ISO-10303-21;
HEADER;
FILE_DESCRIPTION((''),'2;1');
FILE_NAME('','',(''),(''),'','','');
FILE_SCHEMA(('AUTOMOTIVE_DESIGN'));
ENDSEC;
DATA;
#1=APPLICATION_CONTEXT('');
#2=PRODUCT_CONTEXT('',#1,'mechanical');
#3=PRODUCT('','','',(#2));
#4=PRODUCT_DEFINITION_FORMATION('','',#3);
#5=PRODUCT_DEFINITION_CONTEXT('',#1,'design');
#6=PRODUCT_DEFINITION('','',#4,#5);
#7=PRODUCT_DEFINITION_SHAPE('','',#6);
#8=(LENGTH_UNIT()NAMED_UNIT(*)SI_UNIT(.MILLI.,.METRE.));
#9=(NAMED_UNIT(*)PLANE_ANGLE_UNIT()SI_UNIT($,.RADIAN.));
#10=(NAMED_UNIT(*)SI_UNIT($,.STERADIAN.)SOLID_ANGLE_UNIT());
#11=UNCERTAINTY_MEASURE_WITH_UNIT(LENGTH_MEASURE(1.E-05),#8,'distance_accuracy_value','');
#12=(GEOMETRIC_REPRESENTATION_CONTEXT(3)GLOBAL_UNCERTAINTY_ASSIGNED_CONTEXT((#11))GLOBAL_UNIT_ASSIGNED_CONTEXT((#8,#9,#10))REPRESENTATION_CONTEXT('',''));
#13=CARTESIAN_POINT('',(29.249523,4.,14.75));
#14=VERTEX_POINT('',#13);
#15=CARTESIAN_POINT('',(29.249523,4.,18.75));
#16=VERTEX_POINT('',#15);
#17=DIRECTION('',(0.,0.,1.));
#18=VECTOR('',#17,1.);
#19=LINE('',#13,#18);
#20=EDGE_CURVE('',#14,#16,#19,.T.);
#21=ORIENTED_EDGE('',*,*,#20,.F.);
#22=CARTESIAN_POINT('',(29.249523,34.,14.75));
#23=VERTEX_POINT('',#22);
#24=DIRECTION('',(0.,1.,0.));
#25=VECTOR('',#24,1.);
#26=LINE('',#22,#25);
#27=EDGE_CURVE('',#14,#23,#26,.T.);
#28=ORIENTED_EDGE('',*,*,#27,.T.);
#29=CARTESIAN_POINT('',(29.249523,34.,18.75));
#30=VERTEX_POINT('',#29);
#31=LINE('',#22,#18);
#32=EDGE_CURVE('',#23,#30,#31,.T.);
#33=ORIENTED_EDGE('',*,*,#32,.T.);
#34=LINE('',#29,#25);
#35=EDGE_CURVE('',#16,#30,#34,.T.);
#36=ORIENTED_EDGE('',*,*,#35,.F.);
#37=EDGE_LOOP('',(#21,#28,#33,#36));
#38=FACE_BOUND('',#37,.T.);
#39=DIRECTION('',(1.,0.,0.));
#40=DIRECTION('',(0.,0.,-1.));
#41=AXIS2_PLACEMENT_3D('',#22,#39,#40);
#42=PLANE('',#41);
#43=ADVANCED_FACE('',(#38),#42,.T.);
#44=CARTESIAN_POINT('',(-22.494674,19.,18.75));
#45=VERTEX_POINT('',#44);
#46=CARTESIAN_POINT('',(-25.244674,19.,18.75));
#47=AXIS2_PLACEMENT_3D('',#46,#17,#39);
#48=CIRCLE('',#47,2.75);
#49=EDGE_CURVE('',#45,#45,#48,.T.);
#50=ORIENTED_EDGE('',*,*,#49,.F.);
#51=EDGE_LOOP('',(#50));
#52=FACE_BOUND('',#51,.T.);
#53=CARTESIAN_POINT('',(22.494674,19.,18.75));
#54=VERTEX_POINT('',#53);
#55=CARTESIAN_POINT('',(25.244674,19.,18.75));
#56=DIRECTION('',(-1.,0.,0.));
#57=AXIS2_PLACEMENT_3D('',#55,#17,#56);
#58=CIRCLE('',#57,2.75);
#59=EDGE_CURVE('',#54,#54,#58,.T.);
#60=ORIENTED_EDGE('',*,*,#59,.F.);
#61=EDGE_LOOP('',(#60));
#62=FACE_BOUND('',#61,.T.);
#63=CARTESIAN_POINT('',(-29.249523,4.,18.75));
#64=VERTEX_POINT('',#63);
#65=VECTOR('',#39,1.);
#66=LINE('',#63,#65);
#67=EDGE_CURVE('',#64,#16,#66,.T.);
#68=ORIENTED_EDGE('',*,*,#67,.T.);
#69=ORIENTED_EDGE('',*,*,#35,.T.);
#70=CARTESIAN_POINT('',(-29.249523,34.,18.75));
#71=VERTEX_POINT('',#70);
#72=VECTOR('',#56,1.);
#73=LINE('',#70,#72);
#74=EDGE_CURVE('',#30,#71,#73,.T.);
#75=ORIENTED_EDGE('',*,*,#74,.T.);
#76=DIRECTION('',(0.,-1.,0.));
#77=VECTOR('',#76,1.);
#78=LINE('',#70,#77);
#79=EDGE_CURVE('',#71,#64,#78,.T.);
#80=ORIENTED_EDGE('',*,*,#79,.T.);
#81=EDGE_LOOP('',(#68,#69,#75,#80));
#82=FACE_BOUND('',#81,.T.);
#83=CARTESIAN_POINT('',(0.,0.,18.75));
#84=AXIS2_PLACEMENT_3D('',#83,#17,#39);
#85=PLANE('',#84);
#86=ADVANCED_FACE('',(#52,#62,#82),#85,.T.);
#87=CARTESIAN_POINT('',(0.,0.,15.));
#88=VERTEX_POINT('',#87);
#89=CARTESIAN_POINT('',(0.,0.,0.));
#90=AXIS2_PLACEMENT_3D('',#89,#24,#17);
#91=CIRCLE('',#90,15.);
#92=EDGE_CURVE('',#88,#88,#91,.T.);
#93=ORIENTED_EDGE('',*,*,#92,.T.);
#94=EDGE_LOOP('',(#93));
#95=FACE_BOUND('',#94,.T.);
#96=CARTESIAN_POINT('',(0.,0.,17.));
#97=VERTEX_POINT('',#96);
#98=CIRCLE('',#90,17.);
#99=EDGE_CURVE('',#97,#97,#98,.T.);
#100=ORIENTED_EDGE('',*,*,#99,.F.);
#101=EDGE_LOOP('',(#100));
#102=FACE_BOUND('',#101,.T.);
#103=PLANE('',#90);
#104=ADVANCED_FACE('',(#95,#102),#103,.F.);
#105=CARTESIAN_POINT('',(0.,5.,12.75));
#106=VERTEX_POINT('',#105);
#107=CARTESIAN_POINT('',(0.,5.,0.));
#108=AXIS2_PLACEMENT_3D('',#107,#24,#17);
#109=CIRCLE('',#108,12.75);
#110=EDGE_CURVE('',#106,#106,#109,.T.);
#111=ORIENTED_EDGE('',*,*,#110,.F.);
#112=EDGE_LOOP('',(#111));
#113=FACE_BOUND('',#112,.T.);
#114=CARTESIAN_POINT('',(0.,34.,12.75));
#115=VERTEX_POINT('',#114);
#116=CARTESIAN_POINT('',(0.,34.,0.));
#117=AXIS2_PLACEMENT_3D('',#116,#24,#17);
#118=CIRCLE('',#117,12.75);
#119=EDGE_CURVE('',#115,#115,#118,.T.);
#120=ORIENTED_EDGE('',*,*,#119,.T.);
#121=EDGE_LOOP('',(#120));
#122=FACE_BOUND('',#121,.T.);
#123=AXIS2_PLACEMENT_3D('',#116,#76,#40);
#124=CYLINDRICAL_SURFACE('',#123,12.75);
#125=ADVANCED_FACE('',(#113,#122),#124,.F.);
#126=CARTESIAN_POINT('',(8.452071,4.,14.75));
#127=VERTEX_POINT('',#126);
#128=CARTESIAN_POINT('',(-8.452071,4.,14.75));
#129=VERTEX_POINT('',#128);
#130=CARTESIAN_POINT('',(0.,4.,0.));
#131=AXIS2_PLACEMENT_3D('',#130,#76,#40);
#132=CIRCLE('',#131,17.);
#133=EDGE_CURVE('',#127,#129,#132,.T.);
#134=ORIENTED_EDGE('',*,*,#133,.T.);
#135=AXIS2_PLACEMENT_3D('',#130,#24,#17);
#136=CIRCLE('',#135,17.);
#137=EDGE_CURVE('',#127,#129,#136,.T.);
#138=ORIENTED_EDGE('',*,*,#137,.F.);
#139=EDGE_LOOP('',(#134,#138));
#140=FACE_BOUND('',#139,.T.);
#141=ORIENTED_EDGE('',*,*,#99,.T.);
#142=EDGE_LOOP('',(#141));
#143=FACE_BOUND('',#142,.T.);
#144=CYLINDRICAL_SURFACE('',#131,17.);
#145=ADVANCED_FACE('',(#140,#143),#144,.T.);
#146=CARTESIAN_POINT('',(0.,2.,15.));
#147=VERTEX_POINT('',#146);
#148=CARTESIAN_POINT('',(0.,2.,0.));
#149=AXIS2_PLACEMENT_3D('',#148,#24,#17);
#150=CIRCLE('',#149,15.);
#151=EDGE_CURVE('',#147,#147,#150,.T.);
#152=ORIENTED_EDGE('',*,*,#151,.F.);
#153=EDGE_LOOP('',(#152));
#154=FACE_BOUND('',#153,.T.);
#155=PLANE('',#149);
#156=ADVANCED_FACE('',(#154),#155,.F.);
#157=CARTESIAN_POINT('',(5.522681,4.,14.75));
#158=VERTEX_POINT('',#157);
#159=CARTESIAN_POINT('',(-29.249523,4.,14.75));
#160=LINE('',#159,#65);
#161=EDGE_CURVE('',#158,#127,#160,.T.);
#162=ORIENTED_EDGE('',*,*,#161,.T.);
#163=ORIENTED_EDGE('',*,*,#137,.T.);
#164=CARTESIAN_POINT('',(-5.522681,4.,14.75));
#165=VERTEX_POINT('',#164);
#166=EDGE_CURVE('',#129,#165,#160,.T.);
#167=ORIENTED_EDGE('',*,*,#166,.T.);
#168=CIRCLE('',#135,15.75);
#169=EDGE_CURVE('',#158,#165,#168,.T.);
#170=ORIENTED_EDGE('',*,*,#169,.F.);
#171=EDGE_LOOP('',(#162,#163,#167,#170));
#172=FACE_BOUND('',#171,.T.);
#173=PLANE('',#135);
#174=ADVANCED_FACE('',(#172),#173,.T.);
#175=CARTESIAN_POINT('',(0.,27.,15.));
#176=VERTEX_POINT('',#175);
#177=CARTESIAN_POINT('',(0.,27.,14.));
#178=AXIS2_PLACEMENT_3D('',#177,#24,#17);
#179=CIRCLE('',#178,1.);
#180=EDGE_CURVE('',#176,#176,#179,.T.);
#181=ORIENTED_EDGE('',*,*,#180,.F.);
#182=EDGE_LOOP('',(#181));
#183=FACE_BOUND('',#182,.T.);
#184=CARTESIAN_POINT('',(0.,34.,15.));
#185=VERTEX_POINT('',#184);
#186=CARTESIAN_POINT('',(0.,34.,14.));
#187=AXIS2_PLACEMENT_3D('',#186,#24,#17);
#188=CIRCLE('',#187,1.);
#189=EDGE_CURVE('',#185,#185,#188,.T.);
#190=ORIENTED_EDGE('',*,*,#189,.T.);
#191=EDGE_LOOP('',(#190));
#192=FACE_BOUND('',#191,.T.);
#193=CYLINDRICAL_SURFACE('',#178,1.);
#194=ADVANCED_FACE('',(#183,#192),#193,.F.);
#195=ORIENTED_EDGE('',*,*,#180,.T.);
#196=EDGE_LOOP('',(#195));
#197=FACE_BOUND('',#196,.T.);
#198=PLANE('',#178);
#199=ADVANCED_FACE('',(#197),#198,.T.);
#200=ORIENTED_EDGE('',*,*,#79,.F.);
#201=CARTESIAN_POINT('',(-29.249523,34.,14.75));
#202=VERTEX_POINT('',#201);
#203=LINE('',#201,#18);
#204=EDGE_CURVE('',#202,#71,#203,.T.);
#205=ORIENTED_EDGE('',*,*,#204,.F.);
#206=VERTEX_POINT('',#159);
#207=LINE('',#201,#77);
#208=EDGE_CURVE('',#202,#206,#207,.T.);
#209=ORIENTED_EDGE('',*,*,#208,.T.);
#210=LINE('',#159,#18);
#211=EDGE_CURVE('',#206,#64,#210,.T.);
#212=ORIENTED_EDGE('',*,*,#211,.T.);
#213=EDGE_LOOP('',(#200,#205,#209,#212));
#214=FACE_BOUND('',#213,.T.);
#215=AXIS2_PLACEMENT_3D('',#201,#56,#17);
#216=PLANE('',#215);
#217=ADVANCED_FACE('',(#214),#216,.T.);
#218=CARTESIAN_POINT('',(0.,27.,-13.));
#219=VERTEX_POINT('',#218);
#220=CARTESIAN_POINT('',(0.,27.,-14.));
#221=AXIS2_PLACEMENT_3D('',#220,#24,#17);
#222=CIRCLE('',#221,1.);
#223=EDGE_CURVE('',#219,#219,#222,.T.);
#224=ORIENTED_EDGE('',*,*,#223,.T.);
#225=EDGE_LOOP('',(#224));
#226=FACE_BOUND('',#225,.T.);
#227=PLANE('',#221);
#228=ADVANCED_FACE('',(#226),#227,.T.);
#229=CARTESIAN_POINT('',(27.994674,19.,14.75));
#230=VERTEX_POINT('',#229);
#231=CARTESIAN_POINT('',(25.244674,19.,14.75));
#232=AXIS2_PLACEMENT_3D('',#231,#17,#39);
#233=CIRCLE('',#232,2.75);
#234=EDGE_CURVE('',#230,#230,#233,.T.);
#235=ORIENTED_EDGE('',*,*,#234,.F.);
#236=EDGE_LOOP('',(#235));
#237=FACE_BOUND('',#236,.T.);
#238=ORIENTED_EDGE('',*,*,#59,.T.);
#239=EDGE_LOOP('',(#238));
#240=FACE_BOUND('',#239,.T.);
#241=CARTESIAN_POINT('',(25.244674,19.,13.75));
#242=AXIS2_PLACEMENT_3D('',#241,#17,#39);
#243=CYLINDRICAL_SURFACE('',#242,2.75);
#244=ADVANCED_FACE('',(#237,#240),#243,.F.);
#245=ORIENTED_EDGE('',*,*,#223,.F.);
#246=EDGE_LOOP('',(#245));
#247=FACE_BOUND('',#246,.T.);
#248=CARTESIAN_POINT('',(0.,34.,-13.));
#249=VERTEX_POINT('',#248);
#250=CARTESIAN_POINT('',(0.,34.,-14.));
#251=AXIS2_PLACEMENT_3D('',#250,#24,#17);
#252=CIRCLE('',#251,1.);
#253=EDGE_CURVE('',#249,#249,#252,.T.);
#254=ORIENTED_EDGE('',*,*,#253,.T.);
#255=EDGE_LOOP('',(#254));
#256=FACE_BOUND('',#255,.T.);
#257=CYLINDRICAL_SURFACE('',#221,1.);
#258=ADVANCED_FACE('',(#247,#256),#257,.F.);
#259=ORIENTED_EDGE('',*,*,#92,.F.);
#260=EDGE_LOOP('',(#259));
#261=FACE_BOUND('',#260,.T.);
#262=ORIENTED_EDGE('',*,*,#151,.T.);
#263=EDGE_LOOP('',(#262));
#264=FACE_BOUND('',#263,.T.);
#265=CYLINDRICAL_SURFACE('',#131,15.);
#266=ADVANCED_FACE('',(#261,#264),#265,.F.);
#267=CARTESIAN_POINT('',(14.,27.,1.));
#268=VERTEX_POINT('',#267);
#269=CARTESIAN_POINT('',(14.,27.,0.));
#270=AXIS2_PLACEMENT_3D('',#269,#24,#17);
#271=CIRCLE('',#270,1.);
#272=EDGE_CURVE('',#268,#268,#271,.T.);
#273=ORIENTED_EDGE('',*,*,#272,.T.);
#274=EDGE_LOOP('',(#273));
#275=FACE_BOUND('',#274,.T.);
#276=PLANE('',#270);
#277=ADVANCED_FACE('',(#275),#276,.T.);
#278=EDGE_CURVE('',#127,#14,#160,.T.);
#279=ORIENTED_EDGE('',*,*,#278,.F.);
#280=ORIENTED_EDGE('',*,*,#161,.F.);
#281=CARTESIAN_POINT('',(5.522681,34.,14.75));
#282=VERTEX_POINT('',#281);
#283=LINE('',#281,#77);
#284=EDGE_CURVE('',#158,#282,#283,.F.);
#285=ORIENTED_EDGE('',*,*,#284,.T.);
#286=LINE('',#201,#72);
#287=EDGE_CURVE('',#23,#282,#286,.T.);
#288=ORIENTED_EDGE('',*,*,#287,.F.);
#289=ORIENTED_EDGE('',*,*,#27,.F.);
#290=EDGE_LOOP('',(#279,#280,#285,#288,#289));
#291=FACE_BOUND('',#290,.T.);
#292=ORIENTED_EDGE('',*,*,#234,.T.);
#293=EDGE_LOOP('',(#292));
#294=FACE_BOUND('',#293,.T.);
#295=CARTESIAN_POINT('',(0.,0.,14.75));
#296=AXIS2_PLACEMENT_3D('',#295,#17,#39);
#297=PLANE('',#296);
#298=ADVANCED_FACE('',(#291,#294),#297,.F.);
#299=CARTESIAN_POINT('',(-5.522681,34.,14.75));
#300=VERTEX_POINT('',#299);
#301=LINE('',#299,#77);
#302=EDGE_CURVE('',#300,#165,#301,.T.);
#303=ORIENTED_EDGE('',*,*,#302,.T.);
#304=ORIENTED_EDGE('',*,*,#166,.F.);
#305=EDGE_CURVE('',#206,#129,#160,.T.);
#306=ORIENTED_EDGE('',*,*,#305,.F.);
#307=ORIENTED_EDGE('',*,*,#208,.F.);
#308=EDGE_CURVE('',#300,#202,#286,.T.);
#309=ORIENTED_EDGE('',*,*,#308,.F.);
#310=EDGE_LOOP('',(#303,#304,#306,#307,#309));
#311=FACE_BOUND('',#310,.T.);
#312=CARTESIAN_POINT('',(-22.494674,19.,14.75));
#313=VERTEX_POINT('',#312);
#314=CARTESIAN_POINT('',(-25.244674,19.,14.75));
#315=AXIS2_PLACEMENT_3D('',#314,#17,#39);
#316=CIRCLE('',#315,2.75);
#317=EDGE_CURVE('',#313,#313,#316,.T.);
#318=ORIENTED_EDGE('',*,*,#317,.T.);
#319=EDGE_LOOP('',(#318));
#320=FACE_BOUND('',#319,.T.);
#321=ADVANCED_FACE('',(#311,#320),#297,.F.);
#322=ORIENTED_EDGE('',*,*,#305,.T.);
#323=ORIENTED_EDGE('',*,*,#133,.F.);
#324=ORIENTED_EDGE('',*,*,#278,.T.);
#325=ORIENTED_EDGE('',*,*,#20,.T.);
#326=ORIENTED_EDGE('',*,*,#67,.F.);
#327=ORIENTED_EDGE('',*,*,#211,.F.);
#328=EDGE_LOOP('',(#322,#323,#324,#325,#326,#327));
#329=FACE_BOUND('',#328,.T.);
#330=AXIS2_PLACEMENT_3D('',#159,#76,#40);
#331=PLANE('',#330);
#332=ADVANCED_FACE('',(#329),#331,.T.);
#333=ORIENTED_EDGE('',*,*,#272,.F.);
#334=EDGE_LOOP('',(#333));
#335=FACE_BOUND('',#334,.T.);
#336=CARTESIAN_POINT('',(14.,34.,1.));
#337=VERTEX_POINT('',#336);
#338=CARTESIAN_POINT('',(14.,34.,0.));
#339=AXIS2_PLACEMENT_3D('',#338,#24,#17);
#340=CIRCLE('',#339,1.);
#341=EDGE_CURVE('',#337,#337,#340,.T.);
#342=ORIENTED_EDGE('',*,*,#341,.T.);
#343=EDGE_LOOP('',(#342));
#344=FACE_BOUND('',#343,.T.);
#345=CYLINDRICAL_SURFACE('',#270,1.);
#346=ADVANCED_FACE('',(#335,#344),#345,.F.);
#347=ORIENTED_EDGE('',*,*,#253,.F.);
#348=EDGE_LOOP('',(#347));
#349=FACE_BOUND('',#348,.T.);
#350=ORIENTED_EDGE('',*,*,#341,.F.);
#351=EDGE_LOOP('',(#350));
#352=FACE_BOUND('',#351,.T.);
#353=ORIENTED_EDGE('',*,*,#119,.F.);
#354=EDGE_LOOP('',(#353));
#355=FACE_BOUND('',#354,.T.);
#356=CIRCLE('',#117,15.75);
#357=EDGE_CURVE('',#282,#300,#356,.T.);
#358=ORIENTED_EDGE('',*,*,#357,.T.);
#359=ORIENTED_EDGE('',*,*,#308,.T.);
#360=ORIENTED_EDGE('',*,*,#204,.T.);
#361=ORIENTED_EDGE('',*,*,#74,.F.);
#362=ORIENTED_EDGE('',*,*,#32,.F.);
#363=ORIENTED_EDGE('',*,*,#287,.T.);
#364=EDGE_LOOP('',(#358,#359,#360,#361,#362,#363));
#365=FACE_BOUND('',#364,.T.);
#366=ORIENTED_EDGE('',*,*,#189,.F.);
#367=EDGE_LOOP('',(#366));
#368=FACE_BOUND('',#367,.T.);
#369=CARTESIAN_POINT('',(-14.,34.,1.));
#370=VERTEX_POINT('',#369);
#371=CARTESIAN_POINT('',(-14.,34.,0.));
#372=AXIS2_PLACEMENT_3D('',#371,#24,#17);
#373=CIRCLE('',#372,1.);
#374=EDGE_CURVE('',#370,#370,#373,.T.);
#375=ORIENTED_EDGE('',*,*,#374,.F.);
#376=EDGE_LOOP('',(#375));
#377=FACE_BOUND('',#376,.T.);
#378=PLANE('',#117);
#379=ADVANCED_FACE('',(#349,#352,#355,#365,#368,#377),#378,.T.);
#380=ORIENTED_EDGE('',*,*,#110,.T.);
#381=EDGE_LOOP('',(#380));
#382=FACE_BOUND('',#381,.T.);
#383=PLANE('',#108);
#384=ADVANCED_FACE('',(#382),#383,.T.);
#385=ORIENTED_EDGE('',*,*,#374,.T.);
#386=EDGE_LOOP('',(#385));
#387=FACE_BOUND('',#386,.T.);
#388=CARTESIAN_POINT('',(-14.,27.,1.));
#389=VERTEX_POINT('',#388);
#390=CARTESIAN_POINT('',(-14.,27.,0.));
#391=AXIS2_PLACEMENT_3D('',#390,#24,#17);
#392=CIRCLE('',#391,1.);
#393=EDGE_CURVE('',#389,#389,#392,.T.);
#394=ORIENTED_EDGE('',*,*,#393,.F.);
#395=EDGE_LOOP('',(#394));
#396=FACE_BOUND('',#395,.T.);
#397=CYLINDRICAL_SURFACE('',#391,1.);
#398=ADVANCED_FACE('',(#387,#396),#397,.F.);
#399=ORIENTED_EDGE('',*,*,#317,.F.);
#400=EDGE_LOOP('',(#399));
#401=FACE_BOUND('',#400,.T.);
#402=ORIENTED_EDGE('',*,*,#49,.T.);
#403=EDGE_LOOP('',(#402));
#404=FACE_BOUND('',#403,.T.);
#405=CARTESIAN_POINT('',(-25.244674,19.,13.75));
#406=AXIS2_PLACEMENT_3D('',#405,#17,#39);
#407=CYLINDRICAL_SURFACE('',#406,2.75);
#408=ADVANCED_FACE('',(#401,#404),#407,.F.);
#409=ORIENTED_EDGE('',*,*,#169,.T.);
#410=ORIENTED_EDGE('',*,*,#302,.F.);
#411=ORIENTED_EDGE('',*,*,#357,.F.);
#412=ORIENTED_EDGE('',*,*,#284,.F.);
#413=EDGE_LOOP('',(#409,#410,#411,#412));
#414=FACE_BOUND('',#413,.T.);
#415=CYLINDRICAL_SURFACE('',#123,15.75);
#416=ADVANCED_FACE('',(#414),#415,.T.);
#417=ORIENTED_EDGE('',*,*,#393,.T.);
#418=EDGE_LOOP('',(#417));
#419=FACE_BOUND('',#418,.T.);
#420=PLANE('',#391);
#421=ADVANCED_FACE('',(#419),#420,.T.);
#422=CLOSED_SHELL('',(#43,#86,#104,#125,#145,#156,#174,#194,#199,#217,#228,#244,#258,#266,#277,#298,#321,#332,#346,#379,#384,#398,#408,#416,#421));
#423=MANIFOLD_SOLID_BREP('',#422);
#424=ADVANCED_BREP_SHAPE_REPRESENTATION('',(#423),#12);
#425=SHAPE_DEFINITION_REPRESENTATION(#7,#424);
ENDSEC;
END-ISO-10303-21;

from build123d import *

# Parameters (mm, degrees)
SKETCH1_R                 = 17
BOSS_EXTRUDE2_DEPTH       = 4
SHELL1_T                  = -2
SKETCH14_R                = 15.75
BOSS_EXTRUDE7_DEPTH       = 30
SHELL4_T                  = -3
BOSS_EXTRUDE12_DEPTH      = 3
BOSS_EXTRUDE12_DEPTH_BACK = 1
SKETCH16_W                = 58.499045292
SKETCH16_H                = 30
SKETCH17_R                = 2.75
CUT_EXTRUDE4_DEPTH        = 5
SKETCH18_R                = 1
CUT_EXTRUDE5_DEPTH        = 7


with BuildPart() as part:
    # Sketch1 → Boss-Extrude2 (new body)
    with BuildSketch(Plane(origin=(0, 0, 0), x_dir=(1, 0, 0), z_dir=(0, 1, 0))):
        with Locations(Location((0, 0, 0), (0, 0, 270))):
            Circle(SKETCH1_R)
    extrude(amount=BOSS_EXTRUDE2_DEPTH)

    # Shell1
    shell1_openings = [part.faces().sort_by_distance(p)[0] for p in [
        (0, 0, 0),
    ]]
    offset(amount=SHELL1_T, openings=shell1_openings, kind=Kind.INTERSECTION)

    # Sketch14 → Boss-Extrude7 (add)
    with BuildSketch(Plane(origin=(0, 4, 0), x_dir=(1, 0, 0), z_dir=(0, 1, 0))):
        with Locations(Location((0, 0, 0), (0, 0, 270))):
            Circle(SKETCH14_R)
    extrude(amount=BOSS_EXTRUDE7_DEPTH)

    # Shell4
    shell4_openings = [part.faces().sort_by_distance(p)[0] for p in [
        (0, 34, 0),
    ]]
    offset(amount=SHELL4_T, openings=shell4_openings, kind=Kind.INTERSECTION)

    # Sketch16 → Boss-Extrude12 (add, two sides: drawn at the far end of the back side and taken through both)
    with BuildSketch(Plane.XY.offset(15.75).offset(-BOSS_EXTRUDE12_DEPTH_BACK)):
        with Locations((0, 19)):
            Rectangle(SKETCH16_W, SKETCH16_H)
    extrude(amount=BOSS_EXTRUDE12_DEPTH + BOSS_EXTRUDE12_DEPTH_BACK)

    # Sketch17 → Cut-Extrude4 (cut)
    with BuildSketch(Plane.XY.offset(18.75)):
        with Locations((-25.244673943, 19)):
            Circle(SKETCH17_R)
        with Locations((25.244673943, 19)):
            Circle(SKETCH17_R)
    extrude(amount=-CUT_EXTRUDE4_DEPTH, mode=Mode.SUBTRACT)

    # Sketch18 → Cut-Extrude5 (cut)
    with BuildSketch(Plane(origin=(0, 34, 0), x_dir=(1, 0, 0), z_dir=(0, 1, 0))):
        with Locations(Location((0, 14, 0), (0, 0, 270))):
            Circle(SKETCH18_R)
        with Locations(Location((14, 0, 0), (0, 0, 270))):
            Circle(SKETCH18_R)
        with Locations(Location((0, -14, 0), (0, 0, 270))):
            Circle(SKETCH18_R)
        with Locations(Location((-14, 0, 0), (0, 0, 270))):
            Circle(SKETCH18_R)
    extrude(amount=-CUT_EXTRUDE5_DEPTH, mode=Mode.SUBTRACT)


solid = part.part
